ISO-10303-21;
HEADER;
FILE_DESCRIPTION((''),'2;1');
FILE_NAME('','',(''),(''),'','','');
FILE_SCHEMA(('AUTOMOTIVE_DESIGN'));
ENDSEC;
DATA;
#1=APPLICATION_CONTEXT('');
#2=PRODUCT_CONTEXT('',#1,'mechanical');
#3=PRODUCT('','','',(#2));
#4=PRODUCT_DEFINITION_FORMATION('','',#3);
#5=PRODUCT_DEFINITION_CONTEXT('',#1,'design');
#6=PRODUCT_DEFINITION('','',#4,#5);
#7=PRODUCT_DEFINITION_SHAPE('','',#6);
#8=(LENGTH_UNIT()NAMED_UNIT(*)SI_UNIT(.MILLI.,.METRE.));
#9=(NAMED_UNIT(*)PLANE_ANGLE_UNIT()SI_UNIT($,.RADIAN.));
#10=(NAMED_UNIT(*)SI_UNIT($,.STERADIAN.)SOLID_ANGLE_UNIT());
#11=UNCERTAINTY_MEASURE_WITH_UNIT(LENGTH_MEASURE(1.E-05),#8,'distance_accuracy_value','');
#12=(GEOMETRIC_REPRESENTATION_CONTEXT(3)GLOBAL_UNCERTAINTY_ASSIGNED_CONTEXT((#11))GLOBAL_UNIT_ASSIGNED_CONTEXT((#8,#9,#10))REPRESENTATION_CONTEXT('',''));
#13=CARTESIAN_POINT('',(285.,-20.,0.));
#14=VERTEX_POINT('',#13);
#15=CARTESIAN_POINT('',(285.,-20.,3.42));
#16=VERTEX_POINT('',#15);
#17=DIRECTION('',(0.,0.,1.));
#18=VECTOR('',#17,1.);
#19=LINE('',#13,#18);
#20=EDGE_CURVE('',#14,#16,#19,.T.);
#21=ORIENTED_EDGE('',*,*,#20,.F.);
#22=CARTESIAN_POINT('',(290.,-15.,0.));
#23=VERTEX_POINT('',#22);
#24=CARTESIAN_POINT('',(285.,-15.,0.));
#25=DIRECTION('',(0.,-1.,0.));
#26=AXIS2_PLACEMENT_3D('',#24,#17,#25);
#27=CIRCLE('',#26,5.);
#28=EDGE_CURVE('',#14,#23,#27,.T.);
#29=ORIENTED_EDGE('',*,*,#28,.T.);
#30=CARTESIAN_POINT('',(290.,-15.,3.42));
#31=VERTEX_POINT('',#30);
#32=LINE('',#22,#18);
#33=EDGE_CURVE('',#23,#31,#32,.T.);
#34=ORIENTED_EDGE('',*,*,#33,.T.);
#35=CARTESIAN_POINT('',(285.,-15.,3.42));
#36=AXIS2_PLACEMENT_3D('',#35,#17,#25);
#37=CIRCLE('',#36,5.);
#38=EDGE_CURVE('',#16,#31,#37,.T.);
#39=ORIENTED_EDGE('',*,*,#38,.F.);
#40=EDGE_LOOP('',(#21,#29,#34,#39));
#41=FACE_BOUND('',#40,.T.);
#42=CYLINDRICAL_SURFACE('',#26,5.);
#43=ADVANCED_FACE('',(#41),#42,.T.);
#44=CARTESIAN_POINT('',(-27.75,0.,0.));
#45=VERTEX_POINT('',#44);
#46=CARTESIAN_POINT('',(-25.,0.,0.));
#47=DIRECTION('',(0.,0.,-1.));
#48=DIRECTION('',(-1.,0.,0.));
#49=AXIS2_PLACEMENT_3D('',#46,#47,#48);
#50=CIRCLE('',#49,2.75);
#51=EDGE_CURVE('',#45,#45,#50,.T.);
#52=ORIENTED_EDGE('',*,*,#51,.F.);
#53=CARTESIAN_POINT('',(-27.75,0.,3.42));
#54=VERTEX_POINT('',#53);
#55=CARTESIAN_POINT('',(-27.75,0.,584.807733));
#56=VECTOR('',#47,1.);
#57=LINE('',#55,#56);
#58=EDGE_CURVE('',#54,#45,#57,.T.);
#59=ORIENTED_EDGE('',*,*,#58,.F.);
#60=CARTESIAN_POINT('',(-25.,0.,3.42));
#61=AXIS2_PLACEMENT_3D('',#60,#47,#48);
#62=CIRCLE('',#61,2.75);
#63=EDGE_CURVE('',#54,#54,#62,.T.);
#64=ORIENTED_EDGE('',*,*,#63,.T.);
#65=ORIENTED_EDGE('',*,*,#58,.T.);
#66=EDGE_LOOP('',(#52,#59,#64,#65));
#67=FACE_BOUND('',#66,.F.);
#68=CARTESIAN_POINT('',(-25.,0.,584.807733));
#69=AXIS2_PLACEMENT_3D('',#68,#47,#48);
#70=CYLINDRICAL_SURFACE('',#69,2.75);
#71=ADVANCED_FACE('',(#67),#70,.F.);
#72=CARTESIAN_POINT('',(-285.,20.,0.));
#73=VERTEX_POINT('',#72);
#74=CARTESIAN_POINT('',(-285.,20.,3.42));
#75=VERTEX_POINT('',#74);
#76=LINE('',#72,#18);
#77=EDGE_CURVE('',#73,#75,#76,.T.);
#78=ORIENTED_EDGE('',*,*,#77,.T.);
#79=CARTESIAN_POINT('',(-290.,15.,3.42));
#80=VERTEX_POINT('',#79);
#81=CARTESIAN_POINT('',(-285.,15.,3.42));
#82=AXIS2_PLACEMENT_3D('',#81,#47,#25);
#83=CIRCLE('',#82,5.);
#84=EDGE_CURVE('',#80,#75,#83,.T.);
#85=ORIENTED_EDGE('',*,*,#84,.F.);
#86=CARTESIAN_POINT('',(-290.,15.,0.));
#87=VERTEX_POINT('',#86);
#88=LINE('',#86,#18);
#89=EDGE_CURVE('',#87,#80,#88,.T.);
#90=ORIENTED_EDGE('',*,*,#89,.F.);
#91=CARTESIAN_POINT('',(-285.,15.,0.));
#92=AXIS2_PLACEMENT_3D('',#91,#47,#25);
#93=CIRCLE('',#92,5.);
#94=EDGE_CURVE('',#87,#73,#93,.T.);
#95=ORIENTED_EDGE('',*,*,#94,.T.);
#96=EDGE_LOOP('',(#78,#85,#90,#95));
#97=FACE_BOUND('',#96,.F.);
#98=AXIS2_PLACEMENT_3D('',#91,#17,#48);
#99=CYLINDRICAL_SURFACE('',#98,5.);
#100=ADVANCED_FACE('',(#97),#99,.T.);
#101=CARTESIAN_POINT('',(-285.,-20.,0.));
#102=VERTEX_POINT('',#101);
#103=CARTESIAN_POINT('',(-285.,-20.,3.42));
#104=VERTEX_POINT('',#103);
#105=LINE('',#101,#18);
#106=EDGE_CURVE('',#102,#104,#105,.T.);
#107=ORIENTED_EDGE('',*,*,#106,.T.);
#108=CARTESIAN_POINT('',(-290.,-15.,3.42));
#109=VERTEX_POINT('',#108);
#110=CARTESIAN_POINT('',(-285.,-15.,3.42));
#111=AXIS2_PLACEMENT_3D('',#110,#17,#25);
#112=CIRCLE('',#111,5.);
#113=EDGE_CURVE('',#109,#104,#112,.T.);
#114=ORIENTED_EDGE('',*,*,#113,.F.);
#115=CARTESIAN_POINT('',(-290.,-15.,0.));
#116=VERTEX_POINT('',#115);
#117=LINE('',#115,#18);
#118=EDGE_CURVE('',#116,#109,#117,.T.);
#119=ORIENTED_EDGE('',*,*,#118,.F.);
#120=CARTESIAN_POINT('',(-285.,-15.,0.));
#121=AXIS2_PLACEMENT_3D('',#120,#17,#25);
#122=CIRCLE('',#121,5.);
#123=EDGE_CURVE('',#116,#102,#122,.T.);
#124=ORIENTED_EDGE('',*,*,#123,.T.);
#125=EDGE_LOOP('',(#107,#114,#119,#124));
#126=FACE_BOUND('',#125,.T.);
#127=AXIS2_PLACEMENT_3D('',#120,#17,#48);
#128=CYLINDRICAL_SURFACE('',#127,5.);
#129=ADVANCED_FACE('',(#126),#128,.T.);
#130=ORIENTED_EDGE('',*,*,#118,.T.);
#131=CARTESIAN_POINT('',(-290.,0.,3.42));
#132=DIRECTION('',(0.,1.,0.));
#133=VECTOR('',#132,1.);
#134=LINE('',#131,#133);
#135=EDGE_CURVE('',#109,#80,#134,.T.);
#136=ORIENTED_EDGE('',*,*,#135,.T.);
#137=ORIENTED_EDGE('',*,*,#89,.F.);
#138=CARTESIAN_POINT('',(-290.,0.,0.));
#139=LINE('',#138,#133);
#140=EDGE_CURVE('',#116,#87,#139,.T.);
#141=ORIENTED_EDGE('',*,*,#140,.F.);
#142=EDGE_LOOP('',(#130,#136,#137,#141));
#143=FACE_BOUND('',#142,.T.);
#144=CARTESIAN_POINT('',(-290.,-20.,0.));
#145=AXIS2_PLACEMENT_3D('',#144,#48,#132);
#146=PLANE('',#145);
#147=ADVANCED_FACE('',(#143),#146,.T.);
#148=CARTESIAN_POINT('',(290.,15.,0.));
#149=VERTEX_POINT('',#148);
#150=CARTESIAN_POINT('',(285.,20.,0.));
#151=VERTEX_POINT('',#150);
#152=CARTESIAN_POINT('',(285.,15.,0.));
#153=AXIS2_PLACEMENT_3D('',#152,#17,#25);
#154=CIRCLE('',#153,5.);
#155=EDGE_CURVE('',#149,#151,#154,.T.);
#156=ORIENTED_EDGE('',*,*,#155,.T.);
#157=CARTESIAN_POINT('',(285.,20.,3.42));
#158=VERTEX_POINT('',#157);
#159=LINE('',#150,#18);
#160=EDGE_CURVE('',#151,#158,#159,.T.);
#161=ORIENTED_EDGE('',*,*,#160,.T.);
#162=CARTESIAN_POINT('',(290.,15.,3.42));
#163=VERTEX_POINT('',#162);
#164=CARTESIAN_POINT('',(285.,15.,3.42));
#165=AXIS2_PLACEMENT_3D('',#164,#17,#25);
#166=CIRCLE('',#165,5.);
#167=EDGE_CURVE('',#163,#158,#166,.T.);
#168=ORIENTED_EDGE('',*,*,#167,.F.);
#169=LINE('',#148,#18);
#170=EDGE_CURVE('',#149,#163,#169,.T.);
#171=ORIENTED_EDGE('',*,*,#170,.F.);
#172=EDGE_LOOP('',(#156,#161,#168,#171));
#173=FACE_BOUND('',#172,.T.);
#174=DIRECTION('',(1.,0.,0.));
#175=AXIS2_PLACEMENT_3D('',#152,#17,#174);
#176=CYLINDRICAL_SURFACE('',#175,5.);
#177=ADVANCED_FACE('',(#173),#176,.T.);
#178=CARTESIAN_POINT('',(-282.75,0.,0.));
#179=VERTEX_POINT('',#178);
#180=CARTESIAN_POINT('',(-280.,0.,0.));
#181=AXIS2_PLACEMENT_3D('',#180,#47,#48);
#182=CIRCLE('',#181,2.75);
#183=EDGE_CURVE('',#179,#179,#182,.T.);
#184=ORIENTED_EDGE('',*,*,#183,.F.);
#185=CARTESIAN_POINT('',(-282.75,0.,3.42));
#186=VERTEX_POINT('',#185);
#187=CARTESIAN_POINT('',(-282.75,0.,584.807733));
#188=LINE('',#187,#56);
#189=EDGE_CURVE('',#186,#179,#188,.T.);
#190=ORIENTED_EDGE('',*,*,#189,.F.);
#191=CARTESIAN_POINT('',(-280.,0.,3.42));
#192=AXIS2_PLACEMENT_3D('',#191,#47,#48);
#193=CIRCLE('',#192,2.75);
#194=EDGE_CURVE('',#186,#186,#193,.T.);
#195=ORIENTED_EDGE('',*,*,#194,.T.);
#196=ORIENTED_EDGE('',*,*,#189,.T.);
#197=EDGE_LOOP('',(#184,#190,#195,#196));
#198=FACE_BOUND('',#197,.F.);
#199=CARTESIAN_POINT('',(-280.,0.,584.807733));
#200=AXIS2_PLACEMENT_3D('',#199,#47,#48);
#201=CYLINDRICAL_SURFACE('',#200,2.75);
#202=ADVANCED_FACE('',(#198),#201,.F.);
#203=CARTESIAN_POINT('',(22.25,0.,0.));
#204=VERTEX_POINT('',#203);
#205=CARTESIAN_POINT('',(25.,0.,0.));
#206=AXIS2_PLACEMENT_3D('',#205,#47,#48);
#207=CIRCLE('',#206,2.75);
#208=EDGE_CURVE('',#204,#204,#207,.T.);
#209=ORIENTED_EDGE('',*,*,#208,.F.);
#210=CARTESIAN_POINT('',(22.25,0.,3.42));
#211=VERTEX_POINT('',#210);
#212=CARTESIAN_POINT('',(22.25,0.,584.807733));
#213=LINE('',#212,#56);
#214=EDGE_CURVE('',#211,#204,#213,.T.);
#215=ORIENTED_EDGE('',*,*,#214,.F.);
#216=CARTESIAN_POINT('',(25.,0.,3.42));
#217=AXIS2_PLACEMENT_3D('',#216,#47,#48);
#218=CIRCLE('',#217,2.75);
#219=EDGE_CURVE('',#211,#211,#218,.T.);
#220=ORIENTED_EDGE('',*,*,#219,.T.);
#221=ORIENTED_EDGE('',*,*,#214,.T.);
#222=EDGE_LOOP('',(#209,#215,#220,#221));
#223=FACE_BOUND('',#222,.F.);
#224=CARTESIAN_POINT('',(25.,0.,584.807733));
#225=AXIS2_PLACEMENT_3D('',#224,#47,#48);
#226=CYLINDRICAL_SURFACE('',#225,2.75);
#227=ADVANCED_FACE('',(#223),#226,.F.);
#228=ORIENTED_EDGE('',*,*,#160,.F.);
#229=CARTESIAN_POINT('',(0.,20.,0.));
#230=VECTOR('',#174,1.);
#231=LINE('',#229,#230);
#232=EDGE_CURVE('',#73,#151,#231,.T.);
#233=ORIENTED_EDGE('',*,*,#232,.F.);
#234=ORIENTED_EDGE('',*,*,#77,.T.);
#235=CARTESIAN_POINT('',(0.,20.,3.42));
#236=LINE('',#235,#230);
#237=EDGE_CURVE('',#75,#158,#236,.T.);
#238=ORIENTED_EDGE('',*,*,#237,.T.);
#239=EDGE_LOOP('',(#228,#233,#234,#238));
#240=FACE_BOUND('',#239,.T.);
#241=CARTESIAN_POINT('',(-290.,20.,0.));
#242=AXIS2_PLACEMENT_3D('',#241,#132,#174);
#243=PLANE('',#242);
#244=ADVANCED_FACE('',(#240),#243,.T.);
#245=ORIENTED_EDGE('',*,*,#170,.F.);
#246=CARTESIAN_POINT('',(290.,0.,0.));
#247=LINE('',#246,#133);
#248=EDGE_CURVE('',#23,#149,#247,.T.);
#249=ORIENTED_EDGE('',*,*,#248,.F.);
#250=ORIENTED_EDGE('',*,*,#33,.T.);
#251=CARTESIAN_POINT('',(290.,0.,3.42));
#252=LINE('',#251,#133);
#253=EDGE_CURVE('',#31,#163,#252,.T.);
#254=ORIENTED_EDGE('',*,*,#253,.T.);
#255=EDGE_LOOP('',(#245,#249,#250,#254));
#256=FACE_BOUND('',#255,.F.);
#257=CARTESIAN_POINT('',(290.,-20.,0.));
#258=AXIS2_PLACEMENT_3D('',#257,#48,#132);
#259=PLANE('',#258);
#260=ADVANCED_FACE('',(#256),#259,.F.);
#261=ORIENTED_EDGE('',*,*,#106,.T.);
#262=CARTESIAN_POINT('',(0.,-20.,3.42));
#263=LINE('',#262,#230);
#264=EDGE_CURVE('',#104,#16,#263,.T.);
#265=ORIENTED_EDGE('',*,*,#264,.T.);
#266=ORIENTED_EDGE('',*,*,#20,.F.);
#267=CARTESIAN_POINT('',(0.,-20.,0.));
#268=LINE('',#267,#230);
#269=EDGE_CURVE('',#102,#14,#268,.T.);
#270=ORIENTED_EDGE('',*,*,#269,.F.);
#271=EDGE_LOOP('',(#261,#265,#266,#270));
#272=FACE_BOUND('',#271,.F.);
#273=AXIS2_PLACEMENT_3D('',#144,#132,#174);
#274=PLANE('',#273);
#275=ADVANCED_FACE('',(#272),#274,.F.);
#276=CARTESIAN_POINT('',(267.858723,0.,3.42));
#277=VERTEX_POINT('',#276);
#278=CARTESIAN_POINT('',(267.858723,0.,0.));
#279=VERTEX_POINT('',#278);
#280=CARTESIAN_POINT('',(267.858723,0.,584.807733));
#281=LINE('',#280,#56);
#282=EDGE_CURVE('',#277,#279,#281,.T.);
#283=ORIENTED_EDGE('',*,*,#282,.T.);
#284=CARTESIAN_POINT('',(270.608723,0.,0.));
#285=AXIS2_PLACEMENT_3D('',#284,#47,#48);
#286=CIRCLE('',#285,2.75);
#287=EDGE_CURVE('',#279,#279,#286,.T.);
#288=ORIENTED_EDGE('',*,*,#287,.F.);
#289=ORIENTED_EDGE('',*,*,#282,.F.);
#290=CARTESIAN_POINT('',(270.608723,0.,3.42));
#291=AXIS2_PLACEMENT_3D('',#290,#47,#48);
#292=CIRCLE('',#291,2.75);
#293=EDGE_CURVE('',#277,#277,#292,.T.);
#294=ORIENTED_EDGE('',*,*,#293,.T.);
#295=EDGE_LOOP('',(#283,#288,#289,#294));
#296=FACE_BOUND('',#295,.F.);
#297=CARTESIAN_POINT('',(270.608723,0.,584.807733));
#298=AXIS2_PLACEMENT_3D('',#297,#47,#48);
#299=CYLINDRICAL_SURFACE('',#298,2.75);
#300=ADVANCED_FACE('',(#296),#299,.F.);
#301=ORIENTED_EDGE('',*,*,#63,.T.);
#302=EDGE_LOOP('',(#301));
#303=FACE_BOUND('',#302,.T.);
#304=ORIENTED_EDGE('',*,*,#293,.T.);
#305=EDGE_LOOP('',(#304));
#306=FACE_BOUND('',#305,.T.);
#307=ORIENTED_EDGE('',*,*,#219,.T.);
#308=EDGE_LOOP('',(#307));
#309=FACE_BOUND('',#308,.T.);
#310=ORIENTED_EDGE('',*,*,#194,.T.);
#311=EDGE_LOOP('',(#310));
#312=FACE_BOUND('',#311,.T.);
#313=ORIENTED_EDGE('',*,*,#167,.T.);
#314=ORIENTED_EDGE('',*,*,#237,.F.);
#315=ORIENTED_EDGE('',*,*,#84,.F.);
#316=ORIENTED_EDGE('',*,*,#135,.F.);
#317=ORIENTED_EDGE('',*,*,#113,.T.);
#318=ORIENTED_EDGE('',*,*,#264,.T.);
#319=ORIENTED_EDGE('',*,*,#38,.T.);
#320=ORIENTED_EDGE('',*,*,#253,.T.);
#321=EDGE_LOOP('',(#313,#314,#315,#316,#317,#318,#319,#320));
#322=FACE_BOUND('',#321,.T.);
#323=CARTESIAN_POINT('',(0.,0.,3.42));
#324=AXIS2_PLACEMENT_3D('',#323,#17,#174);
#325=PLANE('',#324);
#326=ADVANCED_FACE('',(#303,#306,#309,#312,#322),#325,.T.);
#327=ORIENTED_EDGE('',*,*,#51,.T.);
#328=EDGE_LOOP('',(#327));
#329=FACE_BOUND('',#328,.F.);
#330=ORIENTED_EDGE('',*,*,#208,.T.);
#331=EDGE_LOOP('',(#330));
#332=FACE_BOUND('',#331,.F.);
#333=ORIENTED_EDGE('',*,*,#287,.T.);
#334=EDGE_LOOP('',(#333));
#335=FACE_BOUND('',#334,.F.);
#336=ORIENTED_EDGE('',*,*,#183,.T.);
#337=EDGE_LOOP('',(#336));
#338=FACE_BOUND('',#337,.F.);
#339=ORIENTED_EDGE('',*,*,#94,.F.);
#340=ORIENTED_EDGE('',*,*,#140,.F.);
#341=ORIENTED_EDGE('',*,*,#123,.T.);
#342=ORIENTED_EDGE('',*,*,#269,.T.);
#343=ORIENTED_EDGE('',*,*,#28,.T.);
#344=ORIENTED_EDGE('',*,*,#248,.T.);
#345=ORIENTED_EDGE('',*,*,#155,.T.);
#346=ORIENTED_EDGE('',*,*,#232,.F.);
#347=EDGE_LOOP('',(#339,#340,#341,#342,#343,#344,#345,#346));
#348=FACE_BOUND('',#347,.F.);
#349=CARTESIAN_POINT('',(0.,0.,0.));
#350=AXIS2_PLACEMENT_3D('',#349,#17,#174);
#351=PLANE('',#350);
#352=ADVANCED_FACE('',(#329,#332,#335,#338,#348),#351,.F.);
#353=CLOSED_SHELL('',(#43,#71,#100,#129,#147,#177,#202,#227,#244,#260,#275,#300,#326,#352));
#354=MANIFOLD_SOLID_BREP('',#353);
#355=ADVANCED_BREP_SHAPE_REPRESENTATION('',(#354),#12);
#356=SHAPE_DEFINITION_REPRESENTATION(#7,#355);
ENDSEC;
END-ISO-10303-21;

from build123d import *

# Parameters (mm, degrees)
F0_W     = 580
F0_H     = 40
F1_DEPTH = 3.42
F2_R     = 5
F4_D     = 5.5


with BuildPart() as f1:
    # F0 (on Top) → F1 (new body)
    with BuildSketch(Plane.XY):
        Rectangle(F0_W, F0_H)
    extrude(amount=F1_DEPTH)

    # F2
    f2_edges = [f1.edges().sort_by_distance(p)[0] for p in [
        (-290, 20, 1.71),
        (-290, -20, 1.71),
        (290, 20, 1.71),
        (290, -20, 1.71),
    ]]
    fillet(f2_edges, radius=F2_R)

    # F4 (through all)
    with Locations(Plane.XY.offset(3.42)):
        with Locations((-280, 0), (-25, 0), (25, 0), (270.6087231636, 0)):
            Hole(F4_D / 2)


solid = f1.part
